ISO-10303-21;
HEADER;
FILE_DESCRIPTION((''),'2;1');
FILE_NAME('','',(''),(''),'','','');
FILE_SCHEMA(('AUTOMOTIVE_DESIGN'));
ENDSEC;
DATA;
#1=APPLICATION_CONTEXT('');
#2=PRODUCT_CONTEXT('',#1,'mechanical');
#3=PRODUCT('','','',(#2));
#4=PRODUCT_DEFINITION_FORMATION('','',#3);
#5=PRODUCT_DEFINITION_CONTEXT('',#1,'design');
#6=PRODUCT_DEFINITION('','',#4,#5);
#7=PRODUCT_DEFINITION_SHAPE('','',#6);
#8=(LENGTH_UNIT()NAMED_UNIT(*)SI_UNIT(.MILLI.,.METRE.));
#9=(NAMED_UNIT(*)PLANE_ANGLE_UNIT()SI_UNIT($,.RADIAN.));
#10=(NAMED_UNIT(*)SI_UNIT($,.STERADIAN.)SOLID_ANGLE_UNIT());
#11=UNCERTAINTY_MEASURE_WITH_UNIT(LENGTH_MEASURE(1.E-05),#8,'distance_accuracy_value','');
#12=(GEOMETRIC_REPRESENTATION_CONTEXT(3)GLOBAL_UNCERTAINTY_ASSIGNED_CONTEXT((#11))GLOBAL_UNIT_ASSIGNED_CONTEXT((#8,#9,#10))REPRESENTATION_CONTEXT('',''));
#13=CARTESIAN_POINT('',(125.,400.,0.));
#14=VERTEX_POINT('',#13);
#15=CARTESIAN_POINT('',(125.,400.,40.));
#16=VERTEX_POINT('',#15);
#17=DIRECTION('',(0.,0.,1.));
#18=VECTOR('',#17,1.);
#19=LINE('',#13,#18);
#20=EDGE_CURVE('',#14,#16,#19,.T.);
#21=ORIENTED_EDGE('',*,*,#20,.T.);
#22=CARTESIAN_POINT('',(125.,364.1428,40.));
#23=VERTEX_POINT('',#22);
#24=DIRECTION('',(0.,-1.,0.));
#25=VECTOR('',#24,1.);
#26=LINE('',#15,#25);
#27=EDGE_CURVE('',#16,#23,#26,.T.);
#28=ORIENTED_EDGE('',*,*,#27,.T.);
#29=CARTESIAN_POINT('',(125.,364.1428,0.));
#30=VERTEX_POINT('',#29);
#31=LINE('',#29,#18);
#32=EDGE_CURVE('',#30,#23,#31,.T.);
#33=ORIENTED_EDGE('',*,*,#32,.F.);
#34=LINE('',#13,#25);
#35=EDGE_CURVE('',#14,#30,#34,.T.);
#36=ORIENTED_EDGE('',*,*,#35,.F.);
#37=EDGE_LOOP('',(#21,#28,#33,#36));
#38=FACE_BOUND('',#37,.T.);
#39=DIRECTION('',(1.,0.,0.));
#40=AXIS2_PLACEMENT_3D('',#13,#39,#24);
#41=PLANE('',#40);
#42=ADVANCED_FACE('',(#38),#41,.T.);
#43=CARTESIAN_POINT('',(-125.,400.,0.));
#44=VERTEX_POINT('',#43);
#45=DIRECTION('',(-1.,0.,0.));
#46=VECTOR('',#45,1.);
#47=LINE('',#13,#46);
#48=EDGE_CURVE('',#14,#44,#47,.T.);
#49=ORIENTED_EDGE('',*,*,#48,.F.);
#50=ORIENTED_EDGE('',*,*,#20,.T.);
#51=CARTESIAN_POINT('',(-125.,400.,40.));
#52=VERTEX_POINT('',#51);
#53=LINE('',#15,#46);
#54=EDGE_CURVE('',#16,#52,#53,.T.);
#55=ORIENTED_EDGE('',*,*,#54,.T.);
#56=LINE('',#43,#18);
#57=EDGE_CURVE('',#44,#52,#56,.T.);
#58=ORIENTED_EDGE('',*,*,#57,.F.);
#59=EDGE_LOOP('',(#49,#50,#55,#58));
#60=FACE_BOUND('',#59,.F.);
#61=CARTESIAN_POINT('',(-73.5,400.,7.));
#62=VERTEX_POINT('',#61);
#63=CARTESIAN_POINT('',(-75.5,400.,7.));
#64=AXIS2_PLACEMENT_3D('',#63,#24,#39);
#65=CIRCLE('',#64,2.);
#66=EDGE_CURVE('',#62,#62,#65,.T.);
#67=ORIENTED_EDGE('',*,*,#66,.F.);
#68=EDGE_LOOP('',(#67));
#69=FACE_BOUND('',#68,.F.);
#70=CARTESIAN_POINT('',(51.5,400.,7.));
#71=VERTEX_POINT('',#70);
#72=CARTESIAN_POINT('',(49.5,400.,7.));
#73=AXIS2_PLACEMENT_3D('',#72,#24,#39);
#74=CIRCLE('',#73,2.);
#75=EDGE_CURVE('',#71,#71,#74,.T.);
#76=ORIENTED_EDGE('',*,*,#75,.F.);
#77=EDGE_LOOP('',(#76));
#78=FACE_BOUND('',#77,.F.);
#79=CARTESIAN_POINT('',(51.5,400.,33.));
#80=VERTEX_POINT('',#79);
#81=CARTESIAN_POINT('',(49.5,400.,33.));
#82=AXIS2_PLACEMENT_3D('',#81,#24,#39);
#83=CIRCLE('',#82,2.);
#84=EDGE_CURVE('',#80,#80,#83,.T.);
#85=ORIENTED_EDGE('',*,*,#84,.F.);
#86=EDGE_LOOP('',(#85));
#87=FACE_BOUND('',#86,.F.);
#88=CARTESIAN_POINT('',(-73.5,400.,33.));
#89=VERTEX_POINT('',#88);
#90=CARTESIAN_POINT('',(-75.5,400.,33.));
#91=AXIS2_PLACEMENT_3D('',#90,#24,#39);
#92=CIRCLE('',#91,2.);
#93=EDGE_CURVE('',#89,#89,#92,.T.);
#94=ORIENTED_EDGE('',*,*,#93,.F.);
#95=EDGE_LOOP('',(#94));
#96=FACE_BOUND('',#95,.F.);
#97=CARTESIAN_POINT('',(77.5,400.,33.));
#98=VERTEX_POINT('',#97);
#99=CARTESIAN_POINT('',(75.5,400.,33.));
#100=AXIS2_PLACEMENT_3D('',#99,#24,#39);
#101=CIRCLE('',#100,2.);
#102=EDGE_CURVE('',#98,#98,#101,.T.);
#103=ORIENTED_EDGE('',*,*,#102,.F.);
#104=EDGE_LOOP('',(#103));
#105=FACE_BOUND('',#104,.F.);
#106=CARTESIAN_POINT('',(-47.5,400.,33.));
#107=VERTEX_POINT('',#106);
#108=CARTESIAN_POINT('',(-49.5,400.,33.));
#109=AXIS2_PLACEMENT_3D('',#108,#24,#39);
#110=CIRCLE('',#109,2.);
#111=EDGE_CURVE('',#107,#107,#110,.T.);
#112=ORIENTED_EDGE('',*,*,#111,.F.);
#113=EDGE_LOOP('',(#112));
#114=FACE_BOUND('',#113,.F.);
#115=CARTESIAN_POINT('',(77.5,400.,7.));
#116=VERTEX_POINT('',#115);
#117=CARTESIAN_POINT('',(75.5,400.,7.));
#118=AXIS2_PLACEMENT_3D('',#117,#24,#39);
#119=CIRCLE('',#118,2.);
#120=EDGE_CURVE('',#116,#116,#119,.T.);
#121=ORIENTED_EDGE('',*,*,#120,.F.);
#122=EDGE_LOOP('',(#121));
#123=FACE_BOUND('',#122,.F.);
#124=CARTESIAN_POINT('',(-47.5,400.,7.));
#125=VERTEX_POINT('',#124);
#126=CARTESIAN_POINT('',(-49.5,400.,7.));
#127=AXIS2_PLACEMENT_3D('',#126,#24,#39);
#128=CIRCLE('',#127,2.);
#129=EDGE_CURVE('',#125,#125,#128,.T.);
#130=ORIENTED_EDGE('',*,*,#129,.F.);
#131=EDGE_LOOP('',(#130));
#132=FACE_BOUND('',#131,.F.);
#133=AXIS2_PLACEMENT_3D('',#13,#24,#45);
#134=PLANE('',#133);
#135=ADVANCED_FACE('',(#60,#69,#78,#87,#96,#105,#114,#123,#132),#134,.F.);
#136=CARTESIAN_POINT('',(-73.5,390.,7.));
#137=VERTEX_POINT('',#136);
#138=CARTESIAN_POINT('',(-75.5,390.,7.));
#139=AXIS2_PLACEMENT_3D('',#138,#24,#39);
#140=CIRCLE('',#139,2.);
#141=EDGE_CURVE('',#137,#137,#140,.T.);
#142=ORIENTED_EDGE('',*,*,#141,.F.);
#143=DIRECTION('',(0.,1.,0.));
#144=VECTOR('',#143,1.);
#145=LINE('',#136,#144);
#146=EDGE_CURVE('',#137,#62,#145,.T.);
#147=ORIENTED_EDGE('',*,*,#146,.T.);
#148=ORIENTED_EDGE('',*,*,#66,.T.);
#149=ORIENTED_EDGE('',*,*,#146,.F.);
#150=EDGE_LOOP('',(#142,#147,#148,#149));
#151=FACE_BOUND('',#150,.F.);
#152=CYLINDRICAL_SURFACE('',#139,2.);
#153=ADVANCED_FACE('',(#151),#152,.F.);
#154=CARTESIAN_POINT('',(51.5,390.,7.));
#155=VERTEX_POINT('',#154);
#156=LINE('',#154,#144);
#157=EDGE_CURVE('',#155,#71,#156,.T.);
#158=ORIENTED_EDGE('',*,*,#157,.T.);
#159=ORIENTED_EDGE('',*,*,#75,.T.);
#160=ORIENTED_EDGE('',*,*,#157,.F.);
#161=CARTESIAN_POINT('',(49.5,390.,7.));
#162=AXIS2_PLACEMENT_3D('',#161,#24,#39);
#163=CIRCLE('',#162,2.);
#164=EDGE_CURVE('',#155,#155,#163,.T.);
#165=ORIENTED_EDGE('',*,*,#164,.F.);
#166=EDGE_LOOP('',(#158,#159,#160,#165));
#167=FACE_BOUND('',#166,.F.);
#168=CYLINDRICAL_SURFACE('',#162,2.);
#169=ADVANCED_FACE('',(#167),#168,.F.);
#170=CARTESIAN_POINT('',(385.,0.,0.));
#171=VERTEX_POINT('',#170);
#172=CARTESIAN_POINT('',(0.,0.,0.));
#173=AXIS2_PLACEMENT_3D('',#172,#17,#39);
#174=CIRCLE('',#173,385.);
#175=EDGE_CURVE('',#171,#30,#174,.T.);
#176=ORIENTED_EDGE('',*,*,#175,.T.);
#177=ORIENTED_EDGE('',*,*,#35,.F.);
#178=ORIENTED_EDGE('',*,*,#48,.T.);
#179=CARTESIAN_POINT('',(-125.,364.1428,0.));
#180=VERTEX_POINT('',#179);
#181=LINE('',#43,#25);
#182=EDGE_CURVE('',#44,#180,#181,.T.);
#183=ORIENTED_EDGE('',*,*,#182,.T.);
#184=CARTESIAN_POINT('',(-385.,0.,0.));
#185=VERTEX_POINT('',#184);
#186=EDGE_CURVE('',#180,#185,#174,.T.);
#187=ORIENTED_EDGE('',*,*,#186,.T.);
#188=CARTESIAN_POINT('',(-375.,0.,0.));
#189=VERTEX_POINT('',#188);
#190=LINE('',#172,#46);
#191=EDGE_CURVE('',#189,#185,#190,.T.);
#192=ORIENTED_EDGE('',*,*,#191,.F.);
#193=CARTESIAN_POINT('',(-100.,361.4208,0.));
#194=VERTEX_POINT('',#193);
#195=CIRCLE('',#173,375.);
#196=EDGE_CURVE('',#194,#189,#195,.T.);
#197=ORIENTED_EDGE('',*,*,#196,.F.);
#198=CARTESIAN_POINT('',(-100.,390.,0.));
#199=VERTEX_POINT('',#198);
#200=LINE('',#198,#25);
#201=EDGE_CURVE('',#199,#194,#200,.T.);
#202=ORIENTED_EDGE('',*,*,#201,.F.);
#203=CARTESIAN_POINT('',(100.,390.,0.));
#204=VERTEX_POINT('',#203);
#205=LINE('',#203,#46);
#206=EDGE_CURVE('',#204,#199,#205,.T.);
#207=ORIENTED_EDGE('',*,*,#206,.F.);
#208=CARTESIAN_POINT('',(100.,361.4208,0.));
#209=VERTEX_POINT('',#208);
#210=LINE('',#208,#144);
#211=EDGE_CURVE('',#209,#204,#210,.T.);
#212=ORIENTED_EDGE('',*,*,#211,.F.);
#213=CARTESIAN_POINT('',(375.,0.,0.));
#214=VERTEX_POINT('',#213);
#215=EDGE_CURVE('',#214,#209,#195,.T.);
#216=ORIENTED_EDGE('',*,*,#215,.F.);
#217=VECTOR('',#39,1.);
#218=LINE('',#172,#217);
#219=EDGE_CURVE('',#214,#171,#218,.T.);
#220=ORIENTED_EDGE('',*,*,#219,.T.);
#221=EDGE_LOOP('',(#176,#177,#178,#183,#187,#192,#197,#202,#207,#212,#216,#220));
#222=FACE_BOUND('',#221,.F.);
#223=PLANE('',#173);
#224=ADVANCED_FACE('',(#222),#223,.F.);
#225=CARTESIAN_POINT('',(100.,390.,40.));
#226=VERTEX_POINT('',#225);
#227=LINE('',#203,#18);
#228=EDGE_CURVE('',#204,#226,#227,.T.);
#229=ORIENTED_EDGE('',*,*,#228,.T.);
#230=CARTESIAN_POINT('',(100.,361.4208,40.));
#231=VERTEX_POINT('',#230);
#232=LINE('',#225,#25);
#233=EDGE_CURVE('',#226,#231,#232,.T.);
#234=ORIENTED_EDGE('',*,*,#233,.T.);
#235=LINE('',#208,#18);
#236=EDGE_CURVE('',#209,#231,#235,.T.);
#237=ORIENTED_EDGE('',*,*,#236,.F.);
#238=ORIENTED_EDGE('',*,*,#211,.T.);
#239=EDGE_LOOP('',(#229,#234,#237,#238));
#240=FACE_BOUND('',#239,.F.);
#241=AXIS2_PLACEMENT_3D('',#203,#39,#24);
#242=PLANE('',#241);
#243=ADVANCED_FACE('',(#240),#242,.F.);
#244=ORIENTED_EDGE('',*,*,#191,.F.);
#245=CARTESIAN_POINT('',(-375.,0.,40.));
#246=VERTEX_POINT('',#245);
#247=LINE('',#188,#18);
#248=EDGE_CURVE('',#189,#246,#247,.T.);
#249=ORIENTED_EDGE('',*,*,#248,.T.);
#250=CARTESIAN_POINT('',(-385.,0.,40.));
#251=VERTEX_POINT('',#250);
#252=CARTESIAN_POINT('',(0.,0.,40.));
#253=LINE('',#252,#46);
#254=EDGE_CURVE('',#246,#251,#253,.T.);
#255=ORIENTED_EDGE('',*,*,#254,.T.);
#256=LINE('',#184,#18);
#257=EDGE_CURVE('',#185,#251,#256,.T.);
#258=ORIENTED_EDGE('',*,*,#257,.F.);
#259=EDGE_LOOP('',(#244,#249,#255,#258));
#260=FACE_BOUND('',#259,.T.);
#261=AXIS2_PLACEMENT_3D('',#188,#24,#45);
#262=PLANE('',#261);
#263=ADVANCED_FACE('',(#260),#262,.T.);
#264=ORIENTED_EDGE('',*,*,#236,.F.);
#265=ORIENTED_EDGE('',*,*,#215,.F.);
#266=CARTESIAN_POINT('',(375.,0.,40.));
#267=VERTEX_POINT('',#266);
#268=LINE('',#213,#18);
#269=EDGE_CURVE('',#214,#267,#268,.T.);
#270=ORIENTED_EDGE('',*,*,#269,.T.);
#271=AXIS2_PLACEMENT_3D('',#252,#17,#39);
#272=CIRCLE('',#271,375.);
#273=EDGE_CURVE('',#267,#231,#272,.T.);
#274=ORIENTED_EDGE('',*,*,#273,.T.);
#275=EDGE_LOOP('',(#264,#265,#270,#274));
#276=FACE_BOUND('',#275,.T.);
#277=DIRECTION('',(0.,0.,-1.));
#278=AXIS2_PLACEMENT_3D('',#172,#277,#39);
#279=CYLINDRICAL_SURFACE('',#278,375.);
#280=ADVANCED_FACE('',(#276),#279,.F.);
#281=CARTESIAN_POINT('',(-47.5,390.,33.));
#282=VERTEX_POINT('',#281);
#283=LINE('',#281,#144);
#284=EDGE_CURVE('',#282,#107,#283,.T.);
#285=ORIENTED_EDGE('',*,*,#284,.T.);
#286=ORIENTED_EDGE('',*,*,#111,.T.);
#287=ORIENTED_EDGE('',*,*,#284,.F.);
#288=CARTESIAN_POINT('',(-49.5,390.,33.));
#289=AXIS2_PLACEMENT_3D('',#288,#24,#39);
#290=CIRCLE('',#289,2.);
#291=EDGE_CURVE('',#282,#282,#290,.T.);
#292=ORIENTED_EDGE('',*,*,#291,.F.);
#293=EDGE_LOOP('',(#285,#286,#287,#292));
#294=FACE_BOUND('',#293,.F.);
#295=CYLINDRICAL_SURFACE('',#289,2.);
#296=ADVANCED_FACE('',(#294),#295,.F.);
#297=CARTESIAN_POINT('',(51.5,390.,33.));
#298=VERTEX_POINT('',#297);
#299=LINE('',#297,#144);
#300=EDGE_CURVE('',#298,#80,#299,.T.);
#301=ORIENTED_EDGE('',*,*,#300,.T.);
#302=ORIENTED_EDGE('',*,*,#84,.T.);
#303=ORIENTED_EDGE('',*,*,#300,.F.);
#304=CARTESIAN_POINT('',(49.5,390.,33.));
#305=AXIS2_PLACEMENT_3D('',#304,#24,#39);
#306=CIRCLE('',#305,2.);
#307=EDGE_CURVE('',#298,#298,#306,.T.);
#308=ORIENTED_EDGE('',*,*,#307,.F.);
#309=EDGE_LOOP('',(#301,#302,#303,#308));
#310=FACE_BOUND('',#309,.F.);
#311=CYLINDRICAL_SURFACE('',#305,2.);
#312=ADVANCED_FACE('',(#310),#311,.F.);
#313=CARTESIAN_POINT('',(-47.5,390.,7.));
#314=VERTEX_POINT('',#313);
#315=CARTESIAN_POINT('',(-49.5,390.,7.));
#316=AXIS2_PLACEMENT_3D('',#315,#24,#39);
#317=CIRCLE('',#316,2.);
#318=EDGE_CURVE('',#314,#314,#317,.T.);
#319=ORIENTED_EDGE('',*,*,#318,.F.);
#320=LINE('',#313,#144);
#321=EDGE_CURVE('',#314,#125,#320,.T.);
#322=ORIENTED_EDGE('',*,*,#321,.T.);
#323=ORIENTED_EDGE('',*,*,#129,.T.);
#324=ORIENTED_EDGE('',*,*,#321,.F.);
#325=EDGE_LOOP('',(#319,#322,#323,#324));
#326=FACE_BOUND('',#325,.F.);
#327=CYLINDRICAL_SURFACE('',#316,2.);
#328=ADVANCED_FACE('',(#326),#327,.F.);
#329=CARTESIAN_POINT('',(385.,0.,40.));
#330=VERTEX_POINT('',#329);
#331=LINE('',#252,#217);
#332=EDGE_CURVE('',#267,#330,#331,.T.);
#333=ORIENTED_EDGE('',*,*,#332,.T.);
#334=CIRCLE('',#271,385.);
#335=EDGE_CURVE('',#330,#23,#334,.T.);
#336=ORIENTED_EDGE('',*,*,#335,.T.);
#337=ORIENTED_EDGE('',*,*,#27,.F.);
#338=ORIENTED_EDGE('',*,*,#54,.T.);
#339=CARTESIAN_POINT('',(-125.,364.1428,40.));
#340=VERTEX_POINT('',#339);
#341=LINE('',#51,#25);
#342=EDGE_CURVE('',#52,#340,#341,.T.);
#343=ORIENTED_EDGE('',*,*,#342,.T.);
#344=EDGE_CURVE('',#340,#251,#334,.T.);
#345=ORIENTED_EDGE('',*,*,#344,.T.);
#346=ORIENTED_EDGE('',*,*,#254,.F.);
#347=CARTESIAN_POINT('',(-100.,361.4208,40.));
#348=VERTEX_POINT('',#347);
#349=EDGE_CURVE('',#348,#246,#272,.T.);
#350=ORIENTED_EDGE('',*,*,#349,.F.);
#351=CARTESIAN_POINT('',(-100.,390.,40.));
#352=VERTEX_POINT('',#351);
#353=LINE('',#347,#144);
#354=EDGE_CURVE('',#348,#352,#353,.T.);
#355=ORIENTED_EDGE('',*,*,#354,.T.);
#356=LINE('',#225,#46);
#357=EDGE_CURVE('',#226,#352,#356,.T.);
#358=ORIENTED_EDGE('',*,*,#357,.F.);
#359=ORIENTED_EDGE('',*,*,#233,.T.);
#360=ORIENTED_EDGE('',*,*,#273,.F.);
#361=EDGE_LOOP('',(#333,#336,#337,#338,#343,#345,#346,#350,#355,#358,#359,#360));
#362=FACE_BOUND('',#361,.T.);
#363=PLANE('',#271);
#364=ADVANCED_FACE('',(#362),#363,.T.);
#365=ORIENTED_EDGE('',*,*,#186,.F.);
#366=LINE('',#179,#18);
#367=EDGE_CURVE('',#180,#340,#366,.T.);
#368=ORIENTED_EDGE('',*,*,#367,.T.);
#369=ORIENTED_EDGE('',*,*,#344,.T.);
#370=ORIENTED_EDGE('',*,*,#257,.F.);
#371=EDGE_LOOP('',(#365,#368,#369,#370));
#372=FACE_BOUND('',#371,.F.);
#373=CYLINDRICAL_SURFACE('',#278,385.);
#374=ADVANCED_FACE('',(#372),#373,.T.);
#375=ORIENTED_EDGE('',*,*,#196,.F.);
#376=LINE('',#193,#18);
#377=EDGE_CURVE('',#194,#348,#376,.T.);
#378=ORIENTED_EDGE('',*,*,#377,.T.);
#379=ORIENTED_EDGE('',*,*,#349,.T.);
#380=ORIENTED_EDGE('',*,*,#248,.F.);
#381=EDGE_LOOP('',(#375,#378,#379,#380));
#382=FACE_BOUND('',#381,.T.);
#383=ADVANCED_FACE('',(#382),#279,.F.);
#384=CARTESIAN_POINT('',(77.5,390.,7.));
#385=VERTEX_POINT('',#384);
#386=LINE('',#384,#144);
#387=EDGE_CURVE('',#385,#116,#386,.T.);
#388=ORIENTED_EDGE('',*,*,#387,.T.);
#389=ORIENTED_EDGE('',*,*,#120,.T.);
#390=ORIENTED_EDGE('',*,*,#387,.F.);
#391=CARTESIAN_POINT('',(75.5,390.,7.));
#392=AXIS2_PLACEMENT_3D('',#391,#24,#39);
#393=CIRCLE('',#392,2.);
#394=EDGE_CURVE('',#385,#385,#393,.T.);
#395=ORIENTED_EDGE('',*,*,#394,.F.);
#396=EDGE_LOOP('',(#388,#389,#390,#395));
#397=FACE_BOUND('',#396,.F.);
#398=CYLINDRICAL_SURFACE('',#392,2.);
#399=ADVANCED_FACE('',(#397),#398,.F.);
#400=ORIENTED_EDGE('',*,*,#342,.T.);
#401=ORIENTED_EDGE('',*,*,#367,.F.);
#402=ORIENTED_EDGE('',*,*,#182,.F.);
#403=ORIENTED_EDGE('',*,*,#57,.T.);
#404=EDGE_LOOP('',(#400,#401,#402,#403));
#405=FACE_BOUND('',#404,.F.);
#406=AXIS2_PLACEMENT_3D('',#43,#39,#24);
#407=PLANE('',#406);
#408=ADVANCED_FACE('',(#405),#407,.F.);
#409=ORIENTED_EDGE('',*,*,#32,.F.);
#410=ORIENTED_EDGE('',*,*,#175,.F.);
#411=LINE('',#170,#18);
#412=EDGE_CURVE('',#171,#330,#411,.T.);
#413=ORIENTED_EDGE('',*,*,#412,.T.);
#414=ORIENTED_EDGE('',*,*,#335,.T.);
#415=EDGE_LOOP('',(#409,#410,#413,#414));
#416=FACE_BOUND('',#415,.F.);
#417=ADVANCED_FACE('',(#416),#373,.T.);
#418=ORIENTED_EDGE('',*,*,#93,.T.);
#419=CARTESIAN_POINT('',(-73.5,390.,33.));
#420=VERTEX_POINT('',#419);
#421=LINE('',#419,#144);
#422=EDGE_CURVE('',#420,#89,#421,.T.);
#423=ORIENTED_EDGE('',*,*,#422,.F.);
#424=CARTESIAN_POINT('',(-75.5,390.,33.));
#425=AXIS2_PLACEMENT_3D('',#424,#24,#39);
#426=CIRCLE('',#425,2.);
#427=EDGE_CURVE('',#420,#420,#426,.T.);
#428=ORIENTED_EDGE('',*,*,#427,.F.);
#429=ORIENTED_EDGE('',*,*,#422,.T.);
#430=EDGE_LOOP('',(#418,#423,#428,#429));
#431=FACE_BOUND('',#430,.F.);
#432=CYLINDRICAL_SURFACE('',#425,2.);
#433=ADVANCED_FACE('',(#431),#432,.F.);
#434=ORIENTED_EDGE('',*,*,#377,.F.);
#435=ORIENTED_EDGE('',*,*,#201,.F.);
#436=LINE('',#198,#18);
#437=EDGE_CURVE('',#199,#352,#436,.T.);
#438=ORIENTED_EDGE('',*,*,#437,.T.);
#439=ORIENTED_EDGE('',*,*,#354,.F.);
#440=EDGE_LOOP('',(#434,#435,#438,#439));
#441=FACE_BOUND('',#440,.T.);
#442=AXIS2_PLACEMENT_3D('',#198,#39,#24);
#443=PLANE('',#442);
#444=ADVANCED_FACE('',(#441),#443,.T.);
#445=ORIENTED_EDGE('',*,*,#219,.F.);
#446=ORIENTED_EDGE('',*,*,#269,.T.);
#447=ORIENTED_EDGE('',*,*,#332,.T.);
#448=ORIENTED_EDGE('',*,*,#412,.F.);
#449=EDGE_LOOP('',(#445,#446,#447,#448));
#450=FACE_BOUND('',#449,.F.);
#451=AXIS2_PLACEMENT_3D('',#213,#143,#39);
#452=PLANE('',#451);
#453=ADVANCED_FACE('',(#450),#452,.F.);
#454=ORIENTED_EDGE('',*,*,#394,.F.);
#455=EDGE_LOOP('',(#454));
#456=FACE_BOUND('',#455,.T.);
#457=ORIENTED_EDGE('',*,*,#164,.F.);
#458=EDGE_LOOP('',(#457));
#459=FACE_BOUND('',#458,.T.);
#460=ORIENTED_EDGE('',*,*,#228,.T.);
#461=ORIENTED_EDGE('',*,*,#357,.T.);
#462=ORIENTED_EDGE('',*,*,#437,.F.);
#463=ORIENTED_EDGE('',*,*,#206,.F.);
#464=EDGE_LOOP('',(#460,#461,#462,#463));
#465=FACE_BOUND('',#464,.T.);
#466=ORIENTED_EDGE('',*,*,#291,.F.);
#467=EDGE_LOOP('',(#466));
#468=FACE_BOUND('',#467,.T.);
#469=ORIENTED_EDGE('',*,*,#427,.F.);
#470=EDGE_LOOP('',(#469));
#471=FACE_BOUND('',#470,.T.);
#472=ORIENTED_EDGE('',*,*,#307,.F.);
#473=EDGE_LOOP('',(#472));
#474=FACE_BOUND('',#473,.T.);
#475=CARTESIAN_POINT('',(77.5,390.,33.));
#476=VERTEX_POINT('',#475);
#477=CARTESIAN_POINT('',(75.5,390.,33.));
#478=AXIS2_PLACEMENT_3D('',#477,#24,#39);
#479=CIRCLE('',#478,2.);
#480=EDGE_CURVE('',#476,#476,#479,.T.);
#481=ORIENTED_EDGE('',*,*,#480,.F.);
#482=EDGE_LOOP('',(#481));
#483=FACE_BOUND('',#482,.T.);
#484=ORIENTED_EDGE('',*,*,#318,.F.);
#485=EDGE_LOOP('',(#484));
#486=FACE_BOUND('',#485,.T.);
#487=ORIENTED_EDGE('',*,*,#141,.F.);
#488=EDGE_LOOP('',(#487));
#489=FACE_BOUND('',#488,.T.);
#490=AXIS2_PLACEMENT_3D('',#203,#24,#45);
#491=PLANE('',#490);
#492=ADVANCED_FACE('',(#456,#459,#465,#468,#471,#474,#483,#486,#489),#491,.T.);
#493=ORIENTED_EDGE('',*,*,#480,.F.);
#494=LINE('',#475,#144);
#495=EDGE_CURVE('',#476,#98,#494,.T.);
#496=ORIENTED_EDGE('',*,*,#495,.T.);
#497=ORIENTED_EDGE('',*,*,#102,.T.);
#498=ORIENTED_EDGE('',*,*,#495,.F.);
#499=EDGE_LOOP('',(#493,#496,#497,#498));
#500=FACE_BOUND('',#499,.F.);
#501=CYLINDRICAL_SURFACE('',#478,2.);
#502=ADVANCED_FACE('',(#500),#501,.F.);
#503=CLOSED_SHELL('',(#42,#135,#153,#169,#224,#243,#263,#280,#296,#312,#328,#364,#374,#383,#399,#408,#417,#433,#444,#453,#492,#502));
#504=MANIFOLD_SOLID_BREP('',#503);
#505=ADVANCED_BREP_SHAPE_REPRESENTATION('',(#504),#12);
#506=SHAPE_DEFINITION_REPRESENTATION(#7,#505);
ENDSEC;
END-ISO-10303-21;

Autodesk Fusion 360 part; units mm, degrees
sketch "Sketch1" plane through (0, 0, 0) normal (0, 0, 1) x (1, 0, 0)
  line L0 (125, 400) -> (-125, 400)
  line L1 (0, 0) -> (0, 400) construction
  line L2 (0, 400) -> (0, 390) construction
  line L3 (100, 390) -> (-100, 390)
  circle A0 centre (0, 0) radius 375
  line L4 (100, 390) -> (100, 361.4208)
  line L5 (-100, 390) -> (-100, 361.4208)
  circle A1 centre (0, 0) radius 385
  line L6 (125, 400) -> (125, 364.1428)
  line L7 (-125, 400) -> (-125, 364.1428)
  line L8 (0, 0) -> (385, 0)
  line L9 (0, 0) -> (-385, 0)
  dimension "d1" = 250
  dimension "d2" = 400
  dimension "d3" = 10
  dimension "d5" = 200
  dimension "d6" = 10
extrude "Extrude1" add sketch "Sketch1" along normal blind 40 contours L0 L3 L4 L5 A1 L6 L7 | A0 L4 A1 L8 | A0 L5 A1 L9
sketch "Sketch2" plane through (0, 390, 0) normal (0, -1, 0) x (1, 0, 0)
  line L0 (-100, 0) -> (100, 0)
  line L1 (100, 0) -> (100, 40)
  line L2 (100, 40) -> (-100, 40)
  line L3 (-100, 40) -> (-100, 0)
  line L4 (0, 0) -> (0, 40) construction
  line L5 (-49.5, 20) -> (49.5, 20) construction
  line L6 (49.5, 33) -> (75.5, 33) construction
  line L7 (75.5, 33) -> (75.5, 7) construction
  line L8 (75.5, 7) -> (49.5, 7) construction
  line L9 (49.5, 7) -> (49.5, 33) construction
  line L10 (-49.5, 33) -> (-75.5, 33) construction
  line L11 (-75.5, 33) -> (-75.5, 7) construction
  line L12 (-75.5, 7) -> (-49.5, 7) construction
  line L13 (-49.5, 7) -> (-49.5, 33) construction
  circle A0 centre (75.5, 33) radius 2
  circle A1 centre (75.5, 7) radius 2
  circle A2 centre (49.5, 7) radius 2
  circle A3 centre (49.5, 33) radius 2
  circle A4 centre (-49.5, 33) radius 2
  circle A5 centre (-49.5, 7) radius 2
  circle A6 centre (-75.5, 7) radius 2
  circle A7 centre (-75.5, 33) radius 2
  dimension "d9" = 99
  dimension "d12" = 26
  dimension "d13" = 26
  dimension "d15" = 26
  dimension "d16" = 26
  dimension "d17" = 4
  dimension "d18" = 4
  dimension "d19" = 4
  dimension "d20" = 4
  dimension "d21" = 4
  dimension "d22" = 4
  dimension "d23" = 4
  dimension "d24" = 4
extrude "Extrude2" cut sketch "Sketch2" against normal blind 10 contours A0 | A1 | A2 | A3 | A4 | A5 | A6 | A7
